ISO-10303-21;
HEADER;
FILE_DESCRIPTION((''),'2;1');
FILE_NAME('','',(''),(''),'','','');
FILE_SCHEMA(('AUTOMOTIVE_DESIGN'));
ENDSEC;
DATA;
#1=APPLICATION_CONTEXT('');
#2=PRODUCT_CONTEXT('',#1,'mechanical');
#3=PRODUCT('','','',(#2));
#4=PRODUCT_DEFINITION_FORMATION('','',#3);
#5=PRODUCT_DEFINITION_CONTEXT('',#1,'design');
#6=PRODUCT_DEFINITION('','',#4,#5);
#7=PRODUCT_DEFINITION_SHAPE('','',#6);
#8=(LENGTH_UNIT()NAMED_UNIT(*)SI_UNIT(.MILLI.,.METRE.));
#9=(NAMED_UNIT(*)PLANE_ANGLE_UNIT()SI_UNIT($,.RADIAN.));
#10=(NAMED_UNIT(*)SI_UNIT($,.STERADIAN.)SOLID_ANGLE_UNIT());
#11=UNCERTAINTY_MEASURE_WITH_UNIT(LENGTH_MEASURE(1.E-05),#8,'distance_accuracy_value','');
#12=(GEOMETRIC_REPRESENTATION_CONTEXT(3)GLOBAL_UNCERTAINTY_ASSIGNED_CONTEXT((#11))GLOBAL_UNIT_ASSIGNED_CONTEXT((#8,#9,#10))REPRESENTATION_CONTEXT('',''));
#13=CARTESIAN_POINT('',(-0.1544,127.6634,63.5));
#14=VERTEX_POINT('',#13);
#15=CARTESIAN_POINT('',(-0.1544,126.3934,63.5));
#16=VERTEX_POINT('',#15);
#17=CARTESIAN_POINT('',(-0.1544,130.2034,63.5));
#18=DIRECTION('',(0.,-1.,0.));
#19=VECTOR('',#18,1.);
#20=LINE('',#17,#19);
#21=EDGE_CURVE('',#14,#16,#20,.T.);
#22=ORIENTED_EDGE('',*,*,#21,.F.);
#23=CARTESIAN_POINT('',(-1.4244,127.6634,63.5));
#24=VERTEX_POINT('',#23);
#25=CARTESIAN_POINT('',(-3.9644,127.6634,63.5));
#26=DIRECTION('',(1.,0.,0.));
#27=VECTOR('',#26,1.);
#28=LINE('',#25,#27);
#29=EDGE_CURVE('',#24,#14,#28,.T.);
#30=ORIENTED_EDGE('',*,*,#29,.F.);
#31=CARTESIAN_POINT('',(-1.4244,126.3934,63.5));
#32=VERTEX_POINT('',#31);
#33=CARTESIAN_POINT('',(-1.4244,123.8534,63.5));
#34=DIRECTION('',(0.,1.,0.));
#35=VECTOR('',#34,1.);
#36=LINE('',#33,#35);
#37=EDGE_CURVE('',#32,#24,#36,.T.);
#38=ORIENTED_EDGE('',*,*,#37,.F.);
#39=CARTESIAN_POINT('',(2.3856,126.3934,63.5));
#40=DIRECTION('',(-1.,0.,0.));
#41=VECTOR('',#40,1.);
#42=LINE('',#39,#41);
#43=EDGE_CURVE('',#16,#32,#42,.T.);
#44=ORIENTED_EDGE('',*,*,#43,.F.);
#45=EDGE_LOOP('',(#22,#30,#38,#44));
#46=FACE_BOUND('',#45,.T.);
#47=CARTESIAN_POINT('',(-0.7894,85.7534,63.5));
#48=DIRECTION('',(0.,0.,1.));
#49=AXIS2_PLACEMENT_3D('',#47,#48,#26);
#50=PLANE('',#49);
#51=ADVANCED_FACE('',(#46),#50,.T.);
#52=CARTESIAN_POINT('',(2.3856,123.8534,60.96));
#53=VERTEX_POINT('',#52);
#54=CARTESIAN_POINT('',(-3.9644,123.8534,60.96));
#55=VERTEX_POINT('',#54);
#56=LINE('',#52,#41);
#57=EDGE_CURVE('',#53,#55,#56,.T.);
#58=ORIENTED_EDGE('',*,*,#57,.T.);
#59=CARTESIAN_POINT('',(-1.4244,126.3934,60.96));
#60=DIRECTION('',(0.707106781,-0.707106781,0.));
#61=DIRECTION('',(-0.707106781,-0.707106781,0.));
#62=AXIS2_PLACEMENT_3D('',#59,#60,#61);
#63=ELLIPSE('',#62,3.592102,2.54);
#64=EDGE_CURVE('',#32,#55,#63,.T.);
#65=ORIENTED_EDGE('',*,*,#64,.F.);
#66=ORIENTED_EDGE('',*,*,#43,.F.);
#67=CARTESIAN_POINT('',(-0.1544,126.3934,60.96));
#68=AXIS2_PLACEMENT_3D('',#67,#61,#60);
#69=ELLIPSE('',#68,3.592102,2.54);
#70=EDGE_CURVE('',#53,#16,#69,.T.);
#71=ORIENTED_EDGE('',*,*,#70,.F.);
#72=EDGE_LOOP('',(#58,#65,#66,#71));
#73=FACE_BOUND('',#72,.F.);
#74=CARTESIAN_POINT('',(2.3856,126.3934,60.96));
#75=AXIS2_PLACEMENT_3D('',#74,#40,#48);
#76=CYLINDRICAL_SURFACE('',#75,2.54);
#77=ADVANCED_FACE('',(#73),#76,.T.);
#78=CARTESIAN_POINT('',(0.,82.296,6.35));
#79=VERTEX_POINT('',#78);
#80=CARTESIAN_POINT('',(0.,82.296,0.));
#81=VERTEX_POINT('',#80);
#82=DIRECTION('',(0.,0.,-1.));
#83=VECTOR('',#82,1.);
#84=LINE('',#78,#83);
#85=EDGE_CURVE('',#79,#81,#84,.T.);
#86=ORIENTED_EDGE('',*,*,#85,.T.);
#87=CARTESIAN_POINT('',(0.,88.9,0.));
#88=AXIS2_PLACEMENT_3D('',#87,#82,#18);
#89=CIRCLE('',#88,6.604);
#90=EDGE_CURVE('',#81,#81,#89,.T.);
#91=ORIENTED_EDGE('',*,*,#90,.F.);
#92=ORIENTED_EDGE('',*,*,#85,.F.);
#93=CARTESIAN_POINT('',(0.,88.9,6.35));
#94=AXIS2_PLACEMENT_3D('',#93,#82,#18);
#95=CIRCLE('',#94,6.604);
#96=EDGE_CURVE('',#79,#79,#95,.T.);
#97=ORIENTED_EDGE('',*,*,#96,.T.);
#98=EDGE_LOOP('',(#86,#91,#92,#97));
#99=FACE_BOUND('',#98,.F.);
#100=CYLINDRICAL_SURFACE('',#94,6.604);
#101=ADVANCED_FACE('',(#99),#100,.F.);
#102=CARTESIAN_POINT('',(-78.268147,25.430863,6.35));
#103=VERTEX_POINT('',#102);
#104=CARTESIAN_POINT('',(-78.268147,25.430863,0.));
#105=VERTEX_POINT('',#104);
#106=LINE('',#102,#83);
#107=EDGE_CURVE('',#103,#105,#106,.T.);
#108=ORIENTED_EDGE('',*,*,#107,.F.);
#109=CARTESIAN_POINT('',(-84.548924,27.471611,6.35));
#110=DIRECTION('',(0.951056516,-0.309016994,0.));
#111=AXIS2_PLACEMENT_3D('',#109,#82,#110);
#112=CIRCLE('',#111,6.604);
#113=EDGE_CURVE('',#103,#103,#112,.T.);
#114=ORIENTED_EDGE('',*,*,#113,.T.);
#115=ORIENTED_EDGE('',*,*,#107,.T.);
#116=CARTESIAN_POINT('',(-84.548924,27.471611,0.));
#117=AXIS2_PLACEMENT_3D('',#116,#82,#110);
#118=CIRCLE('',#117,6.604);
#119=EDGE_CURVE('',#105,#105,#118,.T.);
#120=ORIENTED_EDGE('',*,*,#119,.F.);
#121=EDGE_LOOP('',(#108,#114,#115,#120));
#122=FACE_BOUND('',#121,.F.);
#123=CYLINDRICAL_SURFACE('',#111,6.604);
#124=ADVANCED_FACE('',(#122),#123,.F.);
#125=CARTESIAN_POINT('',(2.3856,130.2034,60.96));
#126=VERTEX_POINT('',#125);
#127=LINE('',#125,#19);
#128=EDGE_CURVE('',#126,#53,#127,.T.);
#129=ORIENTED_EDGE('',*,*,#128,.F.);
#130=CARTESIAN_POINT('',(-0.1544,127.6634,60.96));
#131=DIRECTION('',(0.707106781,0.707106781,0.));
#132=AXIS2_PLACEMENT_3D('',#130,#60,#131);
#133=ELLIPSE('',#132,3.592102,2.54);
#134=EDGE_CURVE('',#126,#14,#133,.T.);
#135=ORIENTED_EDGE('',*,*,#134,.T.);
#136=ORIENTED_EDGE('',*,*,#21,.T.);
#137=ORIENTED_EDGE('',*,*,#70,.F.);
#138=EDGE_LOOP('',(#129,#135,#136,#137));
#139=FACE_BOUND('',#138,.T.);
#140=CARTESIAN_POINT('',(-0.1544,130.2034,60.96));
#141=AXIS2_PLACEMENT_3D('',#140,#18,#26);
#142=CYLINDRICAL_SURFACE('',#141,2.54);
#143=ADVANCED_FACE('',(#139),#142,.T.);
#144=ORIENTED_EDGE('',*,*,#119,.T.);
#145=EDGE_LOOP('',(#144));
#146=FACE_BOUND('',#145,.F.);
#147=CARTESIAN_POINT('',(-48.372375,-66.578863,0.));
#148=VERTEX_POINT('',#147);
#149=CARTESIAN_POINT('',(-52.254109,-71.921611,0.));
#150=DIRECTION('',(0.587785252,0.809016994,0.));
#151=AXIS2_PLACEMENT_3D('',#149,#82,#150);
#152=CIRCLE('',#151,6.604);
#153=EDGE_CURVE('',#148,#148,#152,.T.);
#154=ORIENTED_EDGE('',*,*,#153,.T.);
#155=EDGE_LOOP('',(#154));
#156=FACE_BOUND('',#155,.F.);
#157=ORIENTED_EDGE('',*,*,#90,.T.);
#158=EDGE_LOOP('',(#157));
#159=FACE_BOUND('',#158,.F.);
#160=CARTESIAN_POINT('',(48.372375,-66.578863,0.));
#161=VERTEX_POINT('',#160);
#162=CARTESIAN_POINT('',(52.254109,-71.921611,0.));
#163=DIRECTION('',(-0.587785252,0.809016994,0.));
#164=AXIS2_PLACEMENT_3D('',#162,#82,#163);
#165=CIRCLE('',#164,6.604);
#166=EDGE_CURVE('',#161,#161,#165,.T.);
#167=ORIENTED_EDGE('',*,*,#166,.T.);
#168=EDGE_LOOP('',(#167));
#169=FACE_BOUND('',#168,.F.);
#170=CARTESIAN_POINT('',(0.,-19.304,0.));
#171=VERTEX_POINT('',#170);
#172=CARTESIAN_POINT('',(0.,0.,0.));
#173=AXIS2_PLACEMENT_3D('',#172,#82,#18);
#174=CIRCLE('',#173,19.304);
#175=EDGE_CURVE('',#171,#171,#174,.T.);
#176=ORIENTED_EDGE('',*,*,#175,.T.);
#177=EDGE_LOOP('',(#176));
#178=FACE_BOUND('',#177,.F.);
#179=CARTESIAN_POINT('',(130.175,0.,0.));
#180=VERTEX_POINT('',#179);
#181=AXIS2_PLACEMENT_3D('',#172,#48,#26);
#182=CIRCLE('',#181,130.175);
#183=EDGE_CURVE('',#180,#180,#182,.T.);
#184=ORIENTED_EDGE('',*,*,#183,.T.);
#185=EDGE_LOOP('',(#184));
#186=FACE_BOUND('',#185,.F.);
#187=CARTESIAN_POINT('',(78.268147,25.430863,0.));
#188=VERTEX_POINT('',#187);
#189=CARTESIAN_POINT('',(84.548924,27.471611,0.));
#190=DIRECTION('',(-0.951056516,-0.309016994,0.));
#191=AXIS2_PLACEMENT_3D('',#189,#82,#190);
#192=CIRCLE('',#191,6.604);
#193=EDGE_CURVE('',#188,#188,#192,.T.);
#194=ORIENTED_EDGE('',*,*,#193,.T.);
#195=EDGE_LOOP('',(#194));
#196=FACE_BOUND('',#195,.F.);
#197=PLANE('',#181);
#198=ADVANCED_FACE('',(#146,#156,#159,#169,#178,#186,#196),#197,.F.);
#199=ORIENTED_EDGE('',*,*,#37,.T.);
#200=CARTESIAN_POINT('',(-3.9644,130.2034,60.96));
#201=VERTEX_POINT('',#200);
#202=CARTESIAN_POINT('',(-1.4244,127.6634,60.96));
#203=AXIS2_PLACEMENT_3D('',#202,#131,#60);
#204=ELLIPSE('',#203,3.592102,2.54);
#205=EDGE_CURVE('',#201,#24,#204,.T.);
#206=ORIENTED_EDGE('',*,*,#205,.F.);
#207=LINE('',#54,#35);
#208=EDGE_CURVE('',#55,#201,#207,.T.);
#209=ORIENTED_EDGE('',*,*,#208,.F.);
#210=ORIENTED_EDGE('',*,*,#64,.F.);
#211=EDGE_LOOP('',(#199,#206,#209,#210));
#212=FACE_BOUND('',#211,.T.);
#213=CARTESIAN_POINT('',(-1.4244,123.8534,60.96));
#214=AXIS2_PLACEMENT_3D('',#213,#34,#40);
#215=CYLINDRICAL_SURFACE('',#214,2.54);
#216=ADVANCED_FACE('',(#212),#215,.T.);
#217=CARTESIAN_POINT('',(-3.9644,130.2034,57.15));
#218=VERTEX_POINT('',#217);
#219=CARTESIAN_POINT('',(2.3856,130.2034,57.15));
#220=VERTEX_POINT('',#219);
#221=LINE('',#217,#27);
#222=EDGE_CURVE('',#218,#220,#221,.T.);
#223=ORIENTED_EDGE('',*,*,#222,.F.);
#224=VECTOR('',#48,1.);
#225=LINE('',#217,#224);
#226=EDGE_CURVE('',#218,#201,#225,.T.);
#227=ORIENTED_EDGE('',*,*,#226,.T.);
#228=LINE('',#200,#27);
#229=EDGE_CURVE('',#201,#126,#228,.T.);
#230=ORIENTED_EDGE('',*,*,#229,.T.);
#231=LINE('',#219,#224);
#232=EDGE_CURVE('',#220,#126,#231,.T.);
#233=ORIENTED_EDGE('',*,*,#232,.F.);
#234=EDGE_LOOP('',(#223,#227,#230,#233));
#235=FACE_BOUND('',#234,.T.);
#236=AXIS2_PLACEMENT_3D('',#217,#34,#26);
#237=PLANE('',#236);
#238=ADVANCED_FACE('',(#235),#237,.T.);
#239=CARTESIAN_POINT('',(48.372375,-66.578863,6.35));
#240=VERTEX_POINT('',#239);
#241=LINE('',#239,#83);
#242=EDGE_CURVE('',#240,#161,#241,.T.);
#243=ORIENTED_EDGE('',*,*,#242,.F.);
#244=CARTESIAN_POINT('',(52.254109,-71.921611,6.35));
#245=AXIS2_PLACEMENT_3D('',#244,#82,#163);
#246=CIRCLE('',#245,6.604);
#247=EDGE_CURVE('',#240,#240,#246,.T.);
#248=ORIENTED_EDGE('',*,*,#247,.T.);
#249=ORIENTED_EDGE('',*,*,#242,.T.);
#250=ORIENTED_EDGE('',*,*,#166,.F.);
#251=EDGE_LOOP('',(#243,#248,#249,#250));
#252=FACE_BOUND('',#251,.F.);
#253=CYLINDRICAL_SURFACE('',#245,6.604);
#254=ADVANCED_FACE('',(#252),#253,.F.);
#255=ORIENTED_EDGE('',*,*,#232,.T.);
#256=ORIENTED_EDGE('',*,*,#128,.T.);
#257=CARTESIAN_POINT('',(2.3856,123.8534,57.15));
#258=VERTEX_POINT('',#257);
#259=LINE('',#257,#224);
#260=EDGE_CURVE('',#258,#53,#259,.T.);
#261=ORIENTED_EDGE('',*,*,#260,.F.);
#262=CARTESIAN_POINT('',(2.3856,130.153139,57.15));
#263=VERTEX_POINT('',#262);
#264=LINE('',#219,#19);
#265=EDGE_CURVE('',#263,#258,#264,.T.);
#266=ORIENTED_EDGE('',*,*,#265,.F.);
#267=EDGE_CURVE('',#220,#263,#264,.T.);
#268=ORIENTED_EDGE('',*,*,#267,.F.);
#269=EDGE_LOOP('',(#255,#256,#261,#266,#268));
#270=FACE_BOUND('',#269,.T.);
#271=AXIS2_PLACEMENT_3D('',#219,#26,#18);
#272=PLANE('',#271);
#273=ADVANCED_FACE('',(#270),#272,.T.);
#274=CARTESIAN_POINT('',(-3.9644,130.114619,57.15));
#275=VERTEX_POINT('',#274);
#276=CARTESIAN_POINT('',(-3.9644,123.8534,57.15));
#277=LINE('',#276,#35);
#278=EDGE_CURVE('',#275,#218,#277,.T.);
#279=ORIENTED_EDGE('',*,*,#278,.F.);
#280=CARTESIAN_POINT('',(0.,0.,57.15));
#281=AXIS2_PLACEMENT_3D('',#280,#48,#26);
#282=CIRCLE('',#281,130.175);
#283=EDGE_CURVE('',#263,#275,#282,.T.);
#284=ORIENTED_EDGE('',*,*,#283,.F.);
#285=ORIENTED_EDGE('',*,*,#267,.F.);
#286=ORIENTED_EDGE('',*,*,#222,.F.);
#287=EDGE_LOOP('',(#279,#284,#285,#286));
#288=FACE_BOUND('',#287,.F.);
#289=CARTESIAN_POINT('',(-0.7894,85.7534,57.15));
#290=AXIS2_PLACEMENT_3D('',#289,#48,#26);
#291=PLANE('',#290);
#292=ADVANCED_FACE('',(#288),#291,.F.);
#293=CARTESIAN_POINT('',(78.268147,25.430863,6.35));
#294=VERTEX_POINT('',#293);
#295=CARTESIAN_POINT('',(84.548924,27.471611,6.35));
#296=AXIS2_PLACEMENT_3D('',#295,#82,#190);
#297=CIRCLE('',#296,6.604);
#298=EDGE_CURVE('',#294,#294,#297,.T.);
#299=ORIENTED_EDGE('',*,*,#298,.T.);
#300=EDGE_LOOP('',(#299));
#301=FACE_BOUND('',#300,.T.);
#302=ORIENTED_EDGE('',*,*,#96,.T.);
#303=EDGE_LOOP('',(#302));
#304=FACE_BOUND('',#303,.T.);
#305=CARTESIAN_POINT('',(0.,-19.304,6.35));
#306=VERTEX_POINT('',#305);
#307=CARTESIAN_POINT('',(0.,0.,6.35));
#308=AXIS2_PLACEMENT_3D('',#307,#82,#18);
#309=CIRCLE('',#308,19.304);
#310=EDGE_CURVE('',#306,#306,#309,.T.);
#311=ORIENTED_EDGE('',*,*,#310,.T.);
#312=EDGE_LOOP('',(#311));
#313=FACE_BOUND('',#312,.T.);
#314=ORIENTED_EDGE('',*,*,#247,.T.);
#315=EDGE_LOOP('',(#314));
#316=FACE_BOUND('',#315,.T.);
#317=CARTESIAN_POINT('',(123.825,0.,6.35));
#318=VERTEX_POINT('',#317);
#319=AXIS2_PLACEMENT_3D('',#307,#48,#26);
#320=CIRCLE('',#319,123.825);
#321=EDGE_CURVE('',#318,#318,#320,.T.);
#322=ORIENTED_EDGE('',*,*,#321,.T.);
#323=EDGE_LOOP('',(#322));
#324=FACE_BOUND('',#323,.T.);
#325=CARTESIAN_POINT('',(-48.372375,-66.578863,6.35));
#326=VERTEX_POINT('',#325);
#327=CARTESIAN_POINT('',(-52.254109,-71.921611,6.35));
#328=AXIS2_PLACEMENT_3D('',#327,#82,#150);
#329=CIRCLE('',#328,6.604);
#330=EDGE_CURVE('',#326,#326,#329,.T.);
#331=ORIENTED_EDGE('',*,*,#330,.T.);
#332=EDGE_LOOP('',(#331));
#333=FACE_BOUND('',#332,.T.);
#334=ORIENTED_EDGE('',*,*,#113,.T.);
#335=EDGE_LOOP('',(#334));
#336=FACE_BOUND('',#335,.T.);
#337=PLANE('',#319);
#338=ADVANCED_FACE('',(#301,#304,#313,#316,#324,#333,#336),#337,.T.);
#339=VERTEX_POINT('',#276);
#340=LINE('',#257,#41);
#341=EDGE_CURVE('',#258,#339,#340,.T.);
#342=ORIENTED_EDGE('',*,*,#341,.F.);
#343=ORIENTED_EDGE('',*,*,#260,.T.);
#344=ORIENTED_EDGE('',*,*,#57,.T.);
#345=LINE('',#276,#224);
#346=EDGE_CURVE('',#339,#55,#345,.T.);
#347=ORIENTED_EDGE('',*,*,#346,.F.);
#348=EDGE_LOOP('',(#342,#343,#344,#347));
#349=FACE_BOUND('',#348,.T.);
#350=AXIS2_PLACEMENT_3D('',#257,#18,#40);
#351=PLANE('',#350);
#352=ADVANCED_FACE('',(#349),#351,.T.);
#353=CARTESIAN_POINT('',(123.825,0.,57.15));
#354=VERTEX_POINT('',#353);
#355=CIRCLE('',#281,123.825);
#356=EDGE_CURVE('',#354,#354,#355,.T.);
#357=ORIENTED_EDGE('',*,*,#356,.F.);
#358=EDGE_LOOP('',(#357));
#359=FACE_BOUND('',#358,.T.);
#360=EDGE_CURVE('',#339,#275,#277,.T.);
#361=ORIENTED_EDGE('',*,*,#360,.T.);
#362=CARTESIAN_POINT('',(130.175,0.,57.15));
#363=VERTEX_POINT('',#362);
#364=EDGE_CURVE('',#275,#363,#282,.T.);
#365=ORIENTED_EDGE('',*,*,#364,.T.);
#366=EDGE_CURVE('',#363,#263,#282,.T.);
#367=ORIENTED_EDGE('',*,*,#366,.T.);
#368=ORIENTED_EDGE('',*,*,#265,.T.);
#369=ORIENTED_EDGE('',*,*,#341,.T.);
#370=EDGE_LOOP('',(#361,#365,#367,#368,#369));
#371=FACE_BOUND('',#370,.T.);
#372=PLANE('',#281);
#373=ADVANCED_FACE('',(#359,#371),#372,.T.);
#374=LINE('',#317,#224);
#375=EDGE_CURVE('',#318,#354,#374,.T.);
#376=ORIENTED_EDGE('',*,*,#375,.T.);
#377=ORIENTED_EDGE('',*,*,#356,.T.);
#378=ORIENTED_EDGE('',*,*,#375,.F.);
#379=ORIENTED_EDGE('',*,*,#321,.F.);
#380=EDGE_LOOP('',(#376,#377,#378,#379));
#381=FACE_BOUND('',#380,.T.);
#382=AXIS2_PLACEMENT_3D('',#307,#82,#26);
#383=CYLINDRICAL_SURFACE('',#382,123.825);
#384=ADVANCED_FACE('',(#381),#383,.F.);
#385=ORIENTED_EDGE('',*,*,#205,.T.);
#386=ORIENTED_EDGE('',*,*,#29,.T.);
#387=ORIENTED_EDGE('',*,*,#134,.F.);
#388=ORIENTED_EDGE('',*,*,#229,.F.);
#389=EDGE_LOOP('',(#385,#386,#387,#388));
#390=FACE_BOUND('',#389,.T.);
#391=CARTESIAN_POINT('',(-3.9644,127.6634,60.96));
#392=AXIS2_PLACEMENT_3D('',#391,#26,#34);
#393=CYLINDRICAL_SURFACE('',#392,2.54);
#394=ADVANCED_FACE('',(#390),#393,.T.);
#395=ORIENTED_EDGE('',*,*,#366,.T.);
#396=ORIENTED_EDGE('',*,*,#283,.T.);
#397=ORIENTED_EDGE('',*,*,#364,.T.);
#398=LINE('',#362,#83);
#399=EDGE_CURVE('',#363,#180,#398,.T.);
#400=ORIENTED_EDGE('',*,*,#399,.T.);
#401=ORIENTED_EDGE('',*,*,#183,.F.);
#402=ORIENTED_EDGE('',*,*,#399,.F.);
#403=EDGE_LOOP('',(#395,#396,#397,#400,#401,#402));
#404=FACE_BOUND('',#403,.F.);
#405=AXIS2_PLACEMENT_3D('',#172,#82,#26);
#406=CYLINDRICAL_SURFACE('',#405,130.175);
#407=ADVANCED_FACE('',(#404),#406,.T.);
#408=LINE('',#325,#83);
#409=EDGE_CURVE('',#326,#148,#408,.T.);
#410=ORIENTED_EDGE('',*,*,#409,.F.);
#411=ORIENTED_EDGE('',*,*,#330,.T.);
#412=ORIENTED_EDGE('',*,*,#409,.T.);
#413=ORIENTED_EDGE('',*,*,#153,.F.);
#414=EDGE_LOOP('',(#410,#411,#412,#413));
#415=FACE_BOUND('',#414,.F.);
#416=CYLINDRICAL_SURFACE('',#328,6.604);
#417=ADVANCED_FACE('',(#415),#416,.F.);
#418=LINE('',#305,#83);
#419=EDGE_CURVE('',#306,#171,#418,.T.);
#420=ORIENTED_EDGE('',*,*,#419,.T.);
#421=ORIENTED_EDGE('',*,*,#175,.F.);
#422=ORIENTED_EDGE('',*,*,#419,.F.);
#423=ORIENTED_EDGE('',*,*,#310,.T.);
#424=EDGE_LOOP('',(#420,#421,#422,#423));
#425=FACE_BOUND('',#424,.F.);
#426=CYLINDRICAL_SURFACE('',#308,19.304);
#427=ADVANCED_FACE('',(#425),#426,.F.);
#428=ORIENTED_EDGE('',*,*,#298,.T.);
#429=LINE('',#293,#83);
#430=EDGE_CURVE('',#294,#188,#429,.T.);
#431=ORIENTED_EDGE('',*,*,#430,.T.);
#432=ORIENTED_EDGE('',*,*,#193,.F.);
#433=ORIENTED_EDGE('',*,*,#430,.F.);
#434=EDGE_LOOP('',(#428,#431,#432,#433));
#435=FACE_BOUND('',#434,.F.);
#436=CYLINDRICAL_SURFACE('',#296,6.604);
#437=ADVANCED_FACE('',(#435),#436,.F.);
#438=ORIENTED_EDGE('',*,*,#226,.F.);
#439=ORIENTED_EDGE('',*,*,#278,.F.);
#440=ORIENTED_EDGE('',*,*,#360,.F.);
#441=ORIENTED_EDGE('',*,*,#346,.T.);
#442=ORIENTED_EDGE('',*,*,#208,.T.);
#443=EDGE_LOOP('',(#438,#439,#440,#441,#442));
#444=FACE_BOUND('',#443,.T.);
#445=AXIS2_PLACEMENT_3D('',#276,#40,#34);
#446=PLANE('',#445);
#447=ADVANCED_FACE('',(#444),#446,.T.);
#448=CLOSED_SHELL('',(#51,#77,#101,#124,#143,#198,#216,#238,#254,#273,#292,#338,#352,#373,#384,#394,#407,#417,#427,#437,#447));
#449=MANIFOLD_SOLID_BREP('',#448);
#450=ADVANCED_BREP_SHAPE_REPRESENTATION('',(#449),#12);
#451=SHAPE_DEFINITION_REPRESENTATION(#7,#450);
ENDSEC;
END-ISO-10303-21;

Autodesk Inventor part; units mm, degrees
ref_plane "YZ Plane" through (0, 0, 0) normal (1, 0, 0) x (0, 1, 0)
ref_plane "XZ Plane" through (0, 0, 0) normal (0, 1, 0) x (-1, 0, 0)
ref_plane "XY Plane" through (0, 0, 0) normal (0, 0, 1) x (1, 0, 0)
sketch "Sketch1" plane through (0, 0, 0) normal (0, 0, 1) x (1, 0, 0)
  circle A0 centre (0, 0) radius 130.175
  dimension "d0" = 260.35
extrude "Extrusion1" add sketch "Sketch1" along normal blind 6.35
sketch "Sketch2" plane through (0, 0, 6.35) normal (0, 0, 1) x (1, 0, 0)
  circle A0 centre (0, 0) radius 130.175 projected
  circle A1 centre (0, 0) radius 123.825
  dimension "d3" = 6.35
extrude "Extrusion2" add sketch "Sketch2" along normal blind 50.8
sketch "Sketch4" plane through (0, 0, 6.35) normal (0, 0, 1) x (1, 0, 0)
  point P0 (0, 0)
  point P1 (0, 0)
hole "Hole1" at (0, 0, 6.35) direction (0, 0, -1) diameter 38.608 end through all
sketch "Sketch5" plane through (0, 0, 6.35) normal (0, 0, 1) x (1, 0, 0)
  point P0 (0, 0)
  point P1 (0, 88.9)
  dimension "d13" = 88.9
hole "Hole2" at (0, 88.9, 6.35) direction (0, 0, -1) diameter 13.208 end through all
pattern_circular "Circular Pattern1" count 5 over 360 about axis through (0, 0, -366.2495) along (0, 0, 1) of "Hole2"
sketch "Sketch7" plane through (-0.7894, 85.7534, 57.15) normal (0, 0, 1) x (1, 0, 0)
  line L0 (-3.175, 44.45) -> (3.175, 44.45)
  line L1 (3.175, 44.45) -> (3.175, 38.1)
  line L2 (3.175, 38.1) -> (-3.175, 38.1)
  line L3 (-3.175, 38.1) -> (-3.175, 44.45)
  point P0 (0, 0)
  dimension "d35" = 6.35
  dimension "d36" = 6.35
  dimension "d33" = 3.175
  dimension "d34" = 44.45
extrude "Extrusion4" add sketch "Sketch7" along normal blind 6.35
fillet "Fillet1" radius 2.54 4 edges at (-0.7894, 130.2034, 63.5) (2.3856, 127.0284, 63.5) (-0.7894, 123.8534, 63.5) (-3.9644, 127.0284, 63.5)
equation "\"d0\" = W_innerDiameter + W_wallThickness"
equation "\"d1\" = W_wallThickness"
equation "\"d3\" = W_wallThickness"
equation "\"d4\" = W_innerDepth"
equation "\"d6\" = W_innerGearHoleDiameter"
equation "\"d13\" = OG_distanceFromCenter"
equation "\"d14\" = W_outerGearHoleDiameter"
equation "\"d33\" = 0.5 * d35"
equation "\"d34\" = 0.35 * d40"
equation "\"d39\" = d41"
equation "\"W_wallThickness\" = 6.35"
equation "\"W_innerDepth\" = 50.8"
equation "\"W_innerGearHoleDiameter\" = 38.608"
equation "\"W_outerGearHoleDiameter\" = 13.208"
equation "\"OG_distanceFromCenter\" = 88.9"
equation "\"W_innerDiameter\" = 254"
equation "\"Wheel_Related_W_\" = 0"
equation "\"W_holesClearance\" = 0.254"
equation "\"TempSpotReserved7\" = 0"
equation "\"TempSpotReserved8\" = 0"
equation "\"TempSpotReserved9\" = 0"
equation "\"TempSpotReserved10\" = 0"
equation "\"TempSpotReserved11\" = 0"
equation "\"TempSpotReserved12\" = 0"
equation "\"TempSpotReserved13\" = 0"
equation "\"TempSpotReserved14\" = 0"
equation "\"TempSpotReserved15\" = 0"
equation "\"TempSpotReserved16\" = 0"
equation "\"TempSpotReserved17\" = 0"
equation "\"TempSpotReserved18\" = 0"
equation "\"TempSpotReserved19\" = 0"
equation "\"TempSpotReserved20\" = 0"
equation "\"Inner_Gear_Related_IG_\" = 0"
equation "\"IG_shaftDiameter\" = 25.4"
equation "\"IG_gearDiameter\" = 127"
equation "\"IG_shaftLength\" = 127"
equation "\"IG_gearThickness\" = 6.35"
equation "\"TempSpotReserved25\" = 0"
equation "\"TempSpotReserved26\" = 0"
equation "\"TempSpotReserved27\" = 0"
equation "\"TempSpotReserved28\" = 0"
equation "\"TempSpotReserved29\" = 0"
equation "\"TempSpotReserved30\" = 0"
equation "\"TempSpotReserved31\" = 0"
equation "\"TempSpotReserved32\" = 0"
equation "\"TempSpotReserved33\" = 0"
equation "\"TempSpotReserved34\" = 0"
equation "\"TempSpotReserved35\" = 0"
equation "\"TempSpotReserved36\" = 0"
equation "\"TempSpotReserved37\" = 0"
equation "\"TempSpotReserved38\" = 0"
equation "\"TempSpotReserved39\" = 0"
equation "\"TempSpotReserved40\" = 0"
equation "\"Outer_Gear_Related_OG_\" = 0"
equation "\"OG_shaftDiameter\" = 12.7"
equation "\"OG_gearDiameter\" = 50.8"
equation "\"OG_shaftLength\" = 57.15"
equation "\"OG_gearThickness\" = 6.35"
equation "\"TempSpotReserved47\" = 0"
equation "\"TempSpotReserved48\" = 0"
equation "\"TempSpotReserved49\" = 0"
equation "\"TempSpotReserved50\" = 0"
equation "\"TempSpotReserved51\" = 0"
equation "\"TempSpotReserved52\" = 0"
equation "\"TempSpotReserved53\" = 0"
equation "\"TempSpotReserved54\" = 0"
equation "\"TempSpotReserved55\" = 0"
equation "\"TempSpotReserved56\" = 0"
equation "\"TempSpotReserved57\" = 0"
equation "\"TempSpotReserved58\" = 0"
equation "\"TempSpotReserved59\" = 0"
equation "\"TempSpotReserved60\" = 0"
equation "\"Leg_Extensions_Related_LE_\" = 0"
equation "\"LE_baseDiameter\" = 19.05"
equation "\"LE_maxLength\" = 93.92488"
equation "\"LE_thickness\" = 19.05"
equation "\"IG_ratioToOuterGear\" = 2.5"
equation "\"B_bearingThickness\" = 6.35"
equation "\"TempSpotReserved43\" = 0"
equation "\"TempSpotReserved45\" = 0"
equation "\"Thisisatest\" = 25.4"
equation "\"TempSpotReserved46\" = 0"
equation "\"TempSpotReserved44\" = 0"
equation "\"LE_offsetAboveOuterGear\" = 0"
equation "\"Bearing_Related_B_\" = 0"
equation "\"TempSpotReserved42\" = 0"
equation "\"d41\" = 6.35"
equation "\"d40\" = 127"
properties part number "Wheel_1"
